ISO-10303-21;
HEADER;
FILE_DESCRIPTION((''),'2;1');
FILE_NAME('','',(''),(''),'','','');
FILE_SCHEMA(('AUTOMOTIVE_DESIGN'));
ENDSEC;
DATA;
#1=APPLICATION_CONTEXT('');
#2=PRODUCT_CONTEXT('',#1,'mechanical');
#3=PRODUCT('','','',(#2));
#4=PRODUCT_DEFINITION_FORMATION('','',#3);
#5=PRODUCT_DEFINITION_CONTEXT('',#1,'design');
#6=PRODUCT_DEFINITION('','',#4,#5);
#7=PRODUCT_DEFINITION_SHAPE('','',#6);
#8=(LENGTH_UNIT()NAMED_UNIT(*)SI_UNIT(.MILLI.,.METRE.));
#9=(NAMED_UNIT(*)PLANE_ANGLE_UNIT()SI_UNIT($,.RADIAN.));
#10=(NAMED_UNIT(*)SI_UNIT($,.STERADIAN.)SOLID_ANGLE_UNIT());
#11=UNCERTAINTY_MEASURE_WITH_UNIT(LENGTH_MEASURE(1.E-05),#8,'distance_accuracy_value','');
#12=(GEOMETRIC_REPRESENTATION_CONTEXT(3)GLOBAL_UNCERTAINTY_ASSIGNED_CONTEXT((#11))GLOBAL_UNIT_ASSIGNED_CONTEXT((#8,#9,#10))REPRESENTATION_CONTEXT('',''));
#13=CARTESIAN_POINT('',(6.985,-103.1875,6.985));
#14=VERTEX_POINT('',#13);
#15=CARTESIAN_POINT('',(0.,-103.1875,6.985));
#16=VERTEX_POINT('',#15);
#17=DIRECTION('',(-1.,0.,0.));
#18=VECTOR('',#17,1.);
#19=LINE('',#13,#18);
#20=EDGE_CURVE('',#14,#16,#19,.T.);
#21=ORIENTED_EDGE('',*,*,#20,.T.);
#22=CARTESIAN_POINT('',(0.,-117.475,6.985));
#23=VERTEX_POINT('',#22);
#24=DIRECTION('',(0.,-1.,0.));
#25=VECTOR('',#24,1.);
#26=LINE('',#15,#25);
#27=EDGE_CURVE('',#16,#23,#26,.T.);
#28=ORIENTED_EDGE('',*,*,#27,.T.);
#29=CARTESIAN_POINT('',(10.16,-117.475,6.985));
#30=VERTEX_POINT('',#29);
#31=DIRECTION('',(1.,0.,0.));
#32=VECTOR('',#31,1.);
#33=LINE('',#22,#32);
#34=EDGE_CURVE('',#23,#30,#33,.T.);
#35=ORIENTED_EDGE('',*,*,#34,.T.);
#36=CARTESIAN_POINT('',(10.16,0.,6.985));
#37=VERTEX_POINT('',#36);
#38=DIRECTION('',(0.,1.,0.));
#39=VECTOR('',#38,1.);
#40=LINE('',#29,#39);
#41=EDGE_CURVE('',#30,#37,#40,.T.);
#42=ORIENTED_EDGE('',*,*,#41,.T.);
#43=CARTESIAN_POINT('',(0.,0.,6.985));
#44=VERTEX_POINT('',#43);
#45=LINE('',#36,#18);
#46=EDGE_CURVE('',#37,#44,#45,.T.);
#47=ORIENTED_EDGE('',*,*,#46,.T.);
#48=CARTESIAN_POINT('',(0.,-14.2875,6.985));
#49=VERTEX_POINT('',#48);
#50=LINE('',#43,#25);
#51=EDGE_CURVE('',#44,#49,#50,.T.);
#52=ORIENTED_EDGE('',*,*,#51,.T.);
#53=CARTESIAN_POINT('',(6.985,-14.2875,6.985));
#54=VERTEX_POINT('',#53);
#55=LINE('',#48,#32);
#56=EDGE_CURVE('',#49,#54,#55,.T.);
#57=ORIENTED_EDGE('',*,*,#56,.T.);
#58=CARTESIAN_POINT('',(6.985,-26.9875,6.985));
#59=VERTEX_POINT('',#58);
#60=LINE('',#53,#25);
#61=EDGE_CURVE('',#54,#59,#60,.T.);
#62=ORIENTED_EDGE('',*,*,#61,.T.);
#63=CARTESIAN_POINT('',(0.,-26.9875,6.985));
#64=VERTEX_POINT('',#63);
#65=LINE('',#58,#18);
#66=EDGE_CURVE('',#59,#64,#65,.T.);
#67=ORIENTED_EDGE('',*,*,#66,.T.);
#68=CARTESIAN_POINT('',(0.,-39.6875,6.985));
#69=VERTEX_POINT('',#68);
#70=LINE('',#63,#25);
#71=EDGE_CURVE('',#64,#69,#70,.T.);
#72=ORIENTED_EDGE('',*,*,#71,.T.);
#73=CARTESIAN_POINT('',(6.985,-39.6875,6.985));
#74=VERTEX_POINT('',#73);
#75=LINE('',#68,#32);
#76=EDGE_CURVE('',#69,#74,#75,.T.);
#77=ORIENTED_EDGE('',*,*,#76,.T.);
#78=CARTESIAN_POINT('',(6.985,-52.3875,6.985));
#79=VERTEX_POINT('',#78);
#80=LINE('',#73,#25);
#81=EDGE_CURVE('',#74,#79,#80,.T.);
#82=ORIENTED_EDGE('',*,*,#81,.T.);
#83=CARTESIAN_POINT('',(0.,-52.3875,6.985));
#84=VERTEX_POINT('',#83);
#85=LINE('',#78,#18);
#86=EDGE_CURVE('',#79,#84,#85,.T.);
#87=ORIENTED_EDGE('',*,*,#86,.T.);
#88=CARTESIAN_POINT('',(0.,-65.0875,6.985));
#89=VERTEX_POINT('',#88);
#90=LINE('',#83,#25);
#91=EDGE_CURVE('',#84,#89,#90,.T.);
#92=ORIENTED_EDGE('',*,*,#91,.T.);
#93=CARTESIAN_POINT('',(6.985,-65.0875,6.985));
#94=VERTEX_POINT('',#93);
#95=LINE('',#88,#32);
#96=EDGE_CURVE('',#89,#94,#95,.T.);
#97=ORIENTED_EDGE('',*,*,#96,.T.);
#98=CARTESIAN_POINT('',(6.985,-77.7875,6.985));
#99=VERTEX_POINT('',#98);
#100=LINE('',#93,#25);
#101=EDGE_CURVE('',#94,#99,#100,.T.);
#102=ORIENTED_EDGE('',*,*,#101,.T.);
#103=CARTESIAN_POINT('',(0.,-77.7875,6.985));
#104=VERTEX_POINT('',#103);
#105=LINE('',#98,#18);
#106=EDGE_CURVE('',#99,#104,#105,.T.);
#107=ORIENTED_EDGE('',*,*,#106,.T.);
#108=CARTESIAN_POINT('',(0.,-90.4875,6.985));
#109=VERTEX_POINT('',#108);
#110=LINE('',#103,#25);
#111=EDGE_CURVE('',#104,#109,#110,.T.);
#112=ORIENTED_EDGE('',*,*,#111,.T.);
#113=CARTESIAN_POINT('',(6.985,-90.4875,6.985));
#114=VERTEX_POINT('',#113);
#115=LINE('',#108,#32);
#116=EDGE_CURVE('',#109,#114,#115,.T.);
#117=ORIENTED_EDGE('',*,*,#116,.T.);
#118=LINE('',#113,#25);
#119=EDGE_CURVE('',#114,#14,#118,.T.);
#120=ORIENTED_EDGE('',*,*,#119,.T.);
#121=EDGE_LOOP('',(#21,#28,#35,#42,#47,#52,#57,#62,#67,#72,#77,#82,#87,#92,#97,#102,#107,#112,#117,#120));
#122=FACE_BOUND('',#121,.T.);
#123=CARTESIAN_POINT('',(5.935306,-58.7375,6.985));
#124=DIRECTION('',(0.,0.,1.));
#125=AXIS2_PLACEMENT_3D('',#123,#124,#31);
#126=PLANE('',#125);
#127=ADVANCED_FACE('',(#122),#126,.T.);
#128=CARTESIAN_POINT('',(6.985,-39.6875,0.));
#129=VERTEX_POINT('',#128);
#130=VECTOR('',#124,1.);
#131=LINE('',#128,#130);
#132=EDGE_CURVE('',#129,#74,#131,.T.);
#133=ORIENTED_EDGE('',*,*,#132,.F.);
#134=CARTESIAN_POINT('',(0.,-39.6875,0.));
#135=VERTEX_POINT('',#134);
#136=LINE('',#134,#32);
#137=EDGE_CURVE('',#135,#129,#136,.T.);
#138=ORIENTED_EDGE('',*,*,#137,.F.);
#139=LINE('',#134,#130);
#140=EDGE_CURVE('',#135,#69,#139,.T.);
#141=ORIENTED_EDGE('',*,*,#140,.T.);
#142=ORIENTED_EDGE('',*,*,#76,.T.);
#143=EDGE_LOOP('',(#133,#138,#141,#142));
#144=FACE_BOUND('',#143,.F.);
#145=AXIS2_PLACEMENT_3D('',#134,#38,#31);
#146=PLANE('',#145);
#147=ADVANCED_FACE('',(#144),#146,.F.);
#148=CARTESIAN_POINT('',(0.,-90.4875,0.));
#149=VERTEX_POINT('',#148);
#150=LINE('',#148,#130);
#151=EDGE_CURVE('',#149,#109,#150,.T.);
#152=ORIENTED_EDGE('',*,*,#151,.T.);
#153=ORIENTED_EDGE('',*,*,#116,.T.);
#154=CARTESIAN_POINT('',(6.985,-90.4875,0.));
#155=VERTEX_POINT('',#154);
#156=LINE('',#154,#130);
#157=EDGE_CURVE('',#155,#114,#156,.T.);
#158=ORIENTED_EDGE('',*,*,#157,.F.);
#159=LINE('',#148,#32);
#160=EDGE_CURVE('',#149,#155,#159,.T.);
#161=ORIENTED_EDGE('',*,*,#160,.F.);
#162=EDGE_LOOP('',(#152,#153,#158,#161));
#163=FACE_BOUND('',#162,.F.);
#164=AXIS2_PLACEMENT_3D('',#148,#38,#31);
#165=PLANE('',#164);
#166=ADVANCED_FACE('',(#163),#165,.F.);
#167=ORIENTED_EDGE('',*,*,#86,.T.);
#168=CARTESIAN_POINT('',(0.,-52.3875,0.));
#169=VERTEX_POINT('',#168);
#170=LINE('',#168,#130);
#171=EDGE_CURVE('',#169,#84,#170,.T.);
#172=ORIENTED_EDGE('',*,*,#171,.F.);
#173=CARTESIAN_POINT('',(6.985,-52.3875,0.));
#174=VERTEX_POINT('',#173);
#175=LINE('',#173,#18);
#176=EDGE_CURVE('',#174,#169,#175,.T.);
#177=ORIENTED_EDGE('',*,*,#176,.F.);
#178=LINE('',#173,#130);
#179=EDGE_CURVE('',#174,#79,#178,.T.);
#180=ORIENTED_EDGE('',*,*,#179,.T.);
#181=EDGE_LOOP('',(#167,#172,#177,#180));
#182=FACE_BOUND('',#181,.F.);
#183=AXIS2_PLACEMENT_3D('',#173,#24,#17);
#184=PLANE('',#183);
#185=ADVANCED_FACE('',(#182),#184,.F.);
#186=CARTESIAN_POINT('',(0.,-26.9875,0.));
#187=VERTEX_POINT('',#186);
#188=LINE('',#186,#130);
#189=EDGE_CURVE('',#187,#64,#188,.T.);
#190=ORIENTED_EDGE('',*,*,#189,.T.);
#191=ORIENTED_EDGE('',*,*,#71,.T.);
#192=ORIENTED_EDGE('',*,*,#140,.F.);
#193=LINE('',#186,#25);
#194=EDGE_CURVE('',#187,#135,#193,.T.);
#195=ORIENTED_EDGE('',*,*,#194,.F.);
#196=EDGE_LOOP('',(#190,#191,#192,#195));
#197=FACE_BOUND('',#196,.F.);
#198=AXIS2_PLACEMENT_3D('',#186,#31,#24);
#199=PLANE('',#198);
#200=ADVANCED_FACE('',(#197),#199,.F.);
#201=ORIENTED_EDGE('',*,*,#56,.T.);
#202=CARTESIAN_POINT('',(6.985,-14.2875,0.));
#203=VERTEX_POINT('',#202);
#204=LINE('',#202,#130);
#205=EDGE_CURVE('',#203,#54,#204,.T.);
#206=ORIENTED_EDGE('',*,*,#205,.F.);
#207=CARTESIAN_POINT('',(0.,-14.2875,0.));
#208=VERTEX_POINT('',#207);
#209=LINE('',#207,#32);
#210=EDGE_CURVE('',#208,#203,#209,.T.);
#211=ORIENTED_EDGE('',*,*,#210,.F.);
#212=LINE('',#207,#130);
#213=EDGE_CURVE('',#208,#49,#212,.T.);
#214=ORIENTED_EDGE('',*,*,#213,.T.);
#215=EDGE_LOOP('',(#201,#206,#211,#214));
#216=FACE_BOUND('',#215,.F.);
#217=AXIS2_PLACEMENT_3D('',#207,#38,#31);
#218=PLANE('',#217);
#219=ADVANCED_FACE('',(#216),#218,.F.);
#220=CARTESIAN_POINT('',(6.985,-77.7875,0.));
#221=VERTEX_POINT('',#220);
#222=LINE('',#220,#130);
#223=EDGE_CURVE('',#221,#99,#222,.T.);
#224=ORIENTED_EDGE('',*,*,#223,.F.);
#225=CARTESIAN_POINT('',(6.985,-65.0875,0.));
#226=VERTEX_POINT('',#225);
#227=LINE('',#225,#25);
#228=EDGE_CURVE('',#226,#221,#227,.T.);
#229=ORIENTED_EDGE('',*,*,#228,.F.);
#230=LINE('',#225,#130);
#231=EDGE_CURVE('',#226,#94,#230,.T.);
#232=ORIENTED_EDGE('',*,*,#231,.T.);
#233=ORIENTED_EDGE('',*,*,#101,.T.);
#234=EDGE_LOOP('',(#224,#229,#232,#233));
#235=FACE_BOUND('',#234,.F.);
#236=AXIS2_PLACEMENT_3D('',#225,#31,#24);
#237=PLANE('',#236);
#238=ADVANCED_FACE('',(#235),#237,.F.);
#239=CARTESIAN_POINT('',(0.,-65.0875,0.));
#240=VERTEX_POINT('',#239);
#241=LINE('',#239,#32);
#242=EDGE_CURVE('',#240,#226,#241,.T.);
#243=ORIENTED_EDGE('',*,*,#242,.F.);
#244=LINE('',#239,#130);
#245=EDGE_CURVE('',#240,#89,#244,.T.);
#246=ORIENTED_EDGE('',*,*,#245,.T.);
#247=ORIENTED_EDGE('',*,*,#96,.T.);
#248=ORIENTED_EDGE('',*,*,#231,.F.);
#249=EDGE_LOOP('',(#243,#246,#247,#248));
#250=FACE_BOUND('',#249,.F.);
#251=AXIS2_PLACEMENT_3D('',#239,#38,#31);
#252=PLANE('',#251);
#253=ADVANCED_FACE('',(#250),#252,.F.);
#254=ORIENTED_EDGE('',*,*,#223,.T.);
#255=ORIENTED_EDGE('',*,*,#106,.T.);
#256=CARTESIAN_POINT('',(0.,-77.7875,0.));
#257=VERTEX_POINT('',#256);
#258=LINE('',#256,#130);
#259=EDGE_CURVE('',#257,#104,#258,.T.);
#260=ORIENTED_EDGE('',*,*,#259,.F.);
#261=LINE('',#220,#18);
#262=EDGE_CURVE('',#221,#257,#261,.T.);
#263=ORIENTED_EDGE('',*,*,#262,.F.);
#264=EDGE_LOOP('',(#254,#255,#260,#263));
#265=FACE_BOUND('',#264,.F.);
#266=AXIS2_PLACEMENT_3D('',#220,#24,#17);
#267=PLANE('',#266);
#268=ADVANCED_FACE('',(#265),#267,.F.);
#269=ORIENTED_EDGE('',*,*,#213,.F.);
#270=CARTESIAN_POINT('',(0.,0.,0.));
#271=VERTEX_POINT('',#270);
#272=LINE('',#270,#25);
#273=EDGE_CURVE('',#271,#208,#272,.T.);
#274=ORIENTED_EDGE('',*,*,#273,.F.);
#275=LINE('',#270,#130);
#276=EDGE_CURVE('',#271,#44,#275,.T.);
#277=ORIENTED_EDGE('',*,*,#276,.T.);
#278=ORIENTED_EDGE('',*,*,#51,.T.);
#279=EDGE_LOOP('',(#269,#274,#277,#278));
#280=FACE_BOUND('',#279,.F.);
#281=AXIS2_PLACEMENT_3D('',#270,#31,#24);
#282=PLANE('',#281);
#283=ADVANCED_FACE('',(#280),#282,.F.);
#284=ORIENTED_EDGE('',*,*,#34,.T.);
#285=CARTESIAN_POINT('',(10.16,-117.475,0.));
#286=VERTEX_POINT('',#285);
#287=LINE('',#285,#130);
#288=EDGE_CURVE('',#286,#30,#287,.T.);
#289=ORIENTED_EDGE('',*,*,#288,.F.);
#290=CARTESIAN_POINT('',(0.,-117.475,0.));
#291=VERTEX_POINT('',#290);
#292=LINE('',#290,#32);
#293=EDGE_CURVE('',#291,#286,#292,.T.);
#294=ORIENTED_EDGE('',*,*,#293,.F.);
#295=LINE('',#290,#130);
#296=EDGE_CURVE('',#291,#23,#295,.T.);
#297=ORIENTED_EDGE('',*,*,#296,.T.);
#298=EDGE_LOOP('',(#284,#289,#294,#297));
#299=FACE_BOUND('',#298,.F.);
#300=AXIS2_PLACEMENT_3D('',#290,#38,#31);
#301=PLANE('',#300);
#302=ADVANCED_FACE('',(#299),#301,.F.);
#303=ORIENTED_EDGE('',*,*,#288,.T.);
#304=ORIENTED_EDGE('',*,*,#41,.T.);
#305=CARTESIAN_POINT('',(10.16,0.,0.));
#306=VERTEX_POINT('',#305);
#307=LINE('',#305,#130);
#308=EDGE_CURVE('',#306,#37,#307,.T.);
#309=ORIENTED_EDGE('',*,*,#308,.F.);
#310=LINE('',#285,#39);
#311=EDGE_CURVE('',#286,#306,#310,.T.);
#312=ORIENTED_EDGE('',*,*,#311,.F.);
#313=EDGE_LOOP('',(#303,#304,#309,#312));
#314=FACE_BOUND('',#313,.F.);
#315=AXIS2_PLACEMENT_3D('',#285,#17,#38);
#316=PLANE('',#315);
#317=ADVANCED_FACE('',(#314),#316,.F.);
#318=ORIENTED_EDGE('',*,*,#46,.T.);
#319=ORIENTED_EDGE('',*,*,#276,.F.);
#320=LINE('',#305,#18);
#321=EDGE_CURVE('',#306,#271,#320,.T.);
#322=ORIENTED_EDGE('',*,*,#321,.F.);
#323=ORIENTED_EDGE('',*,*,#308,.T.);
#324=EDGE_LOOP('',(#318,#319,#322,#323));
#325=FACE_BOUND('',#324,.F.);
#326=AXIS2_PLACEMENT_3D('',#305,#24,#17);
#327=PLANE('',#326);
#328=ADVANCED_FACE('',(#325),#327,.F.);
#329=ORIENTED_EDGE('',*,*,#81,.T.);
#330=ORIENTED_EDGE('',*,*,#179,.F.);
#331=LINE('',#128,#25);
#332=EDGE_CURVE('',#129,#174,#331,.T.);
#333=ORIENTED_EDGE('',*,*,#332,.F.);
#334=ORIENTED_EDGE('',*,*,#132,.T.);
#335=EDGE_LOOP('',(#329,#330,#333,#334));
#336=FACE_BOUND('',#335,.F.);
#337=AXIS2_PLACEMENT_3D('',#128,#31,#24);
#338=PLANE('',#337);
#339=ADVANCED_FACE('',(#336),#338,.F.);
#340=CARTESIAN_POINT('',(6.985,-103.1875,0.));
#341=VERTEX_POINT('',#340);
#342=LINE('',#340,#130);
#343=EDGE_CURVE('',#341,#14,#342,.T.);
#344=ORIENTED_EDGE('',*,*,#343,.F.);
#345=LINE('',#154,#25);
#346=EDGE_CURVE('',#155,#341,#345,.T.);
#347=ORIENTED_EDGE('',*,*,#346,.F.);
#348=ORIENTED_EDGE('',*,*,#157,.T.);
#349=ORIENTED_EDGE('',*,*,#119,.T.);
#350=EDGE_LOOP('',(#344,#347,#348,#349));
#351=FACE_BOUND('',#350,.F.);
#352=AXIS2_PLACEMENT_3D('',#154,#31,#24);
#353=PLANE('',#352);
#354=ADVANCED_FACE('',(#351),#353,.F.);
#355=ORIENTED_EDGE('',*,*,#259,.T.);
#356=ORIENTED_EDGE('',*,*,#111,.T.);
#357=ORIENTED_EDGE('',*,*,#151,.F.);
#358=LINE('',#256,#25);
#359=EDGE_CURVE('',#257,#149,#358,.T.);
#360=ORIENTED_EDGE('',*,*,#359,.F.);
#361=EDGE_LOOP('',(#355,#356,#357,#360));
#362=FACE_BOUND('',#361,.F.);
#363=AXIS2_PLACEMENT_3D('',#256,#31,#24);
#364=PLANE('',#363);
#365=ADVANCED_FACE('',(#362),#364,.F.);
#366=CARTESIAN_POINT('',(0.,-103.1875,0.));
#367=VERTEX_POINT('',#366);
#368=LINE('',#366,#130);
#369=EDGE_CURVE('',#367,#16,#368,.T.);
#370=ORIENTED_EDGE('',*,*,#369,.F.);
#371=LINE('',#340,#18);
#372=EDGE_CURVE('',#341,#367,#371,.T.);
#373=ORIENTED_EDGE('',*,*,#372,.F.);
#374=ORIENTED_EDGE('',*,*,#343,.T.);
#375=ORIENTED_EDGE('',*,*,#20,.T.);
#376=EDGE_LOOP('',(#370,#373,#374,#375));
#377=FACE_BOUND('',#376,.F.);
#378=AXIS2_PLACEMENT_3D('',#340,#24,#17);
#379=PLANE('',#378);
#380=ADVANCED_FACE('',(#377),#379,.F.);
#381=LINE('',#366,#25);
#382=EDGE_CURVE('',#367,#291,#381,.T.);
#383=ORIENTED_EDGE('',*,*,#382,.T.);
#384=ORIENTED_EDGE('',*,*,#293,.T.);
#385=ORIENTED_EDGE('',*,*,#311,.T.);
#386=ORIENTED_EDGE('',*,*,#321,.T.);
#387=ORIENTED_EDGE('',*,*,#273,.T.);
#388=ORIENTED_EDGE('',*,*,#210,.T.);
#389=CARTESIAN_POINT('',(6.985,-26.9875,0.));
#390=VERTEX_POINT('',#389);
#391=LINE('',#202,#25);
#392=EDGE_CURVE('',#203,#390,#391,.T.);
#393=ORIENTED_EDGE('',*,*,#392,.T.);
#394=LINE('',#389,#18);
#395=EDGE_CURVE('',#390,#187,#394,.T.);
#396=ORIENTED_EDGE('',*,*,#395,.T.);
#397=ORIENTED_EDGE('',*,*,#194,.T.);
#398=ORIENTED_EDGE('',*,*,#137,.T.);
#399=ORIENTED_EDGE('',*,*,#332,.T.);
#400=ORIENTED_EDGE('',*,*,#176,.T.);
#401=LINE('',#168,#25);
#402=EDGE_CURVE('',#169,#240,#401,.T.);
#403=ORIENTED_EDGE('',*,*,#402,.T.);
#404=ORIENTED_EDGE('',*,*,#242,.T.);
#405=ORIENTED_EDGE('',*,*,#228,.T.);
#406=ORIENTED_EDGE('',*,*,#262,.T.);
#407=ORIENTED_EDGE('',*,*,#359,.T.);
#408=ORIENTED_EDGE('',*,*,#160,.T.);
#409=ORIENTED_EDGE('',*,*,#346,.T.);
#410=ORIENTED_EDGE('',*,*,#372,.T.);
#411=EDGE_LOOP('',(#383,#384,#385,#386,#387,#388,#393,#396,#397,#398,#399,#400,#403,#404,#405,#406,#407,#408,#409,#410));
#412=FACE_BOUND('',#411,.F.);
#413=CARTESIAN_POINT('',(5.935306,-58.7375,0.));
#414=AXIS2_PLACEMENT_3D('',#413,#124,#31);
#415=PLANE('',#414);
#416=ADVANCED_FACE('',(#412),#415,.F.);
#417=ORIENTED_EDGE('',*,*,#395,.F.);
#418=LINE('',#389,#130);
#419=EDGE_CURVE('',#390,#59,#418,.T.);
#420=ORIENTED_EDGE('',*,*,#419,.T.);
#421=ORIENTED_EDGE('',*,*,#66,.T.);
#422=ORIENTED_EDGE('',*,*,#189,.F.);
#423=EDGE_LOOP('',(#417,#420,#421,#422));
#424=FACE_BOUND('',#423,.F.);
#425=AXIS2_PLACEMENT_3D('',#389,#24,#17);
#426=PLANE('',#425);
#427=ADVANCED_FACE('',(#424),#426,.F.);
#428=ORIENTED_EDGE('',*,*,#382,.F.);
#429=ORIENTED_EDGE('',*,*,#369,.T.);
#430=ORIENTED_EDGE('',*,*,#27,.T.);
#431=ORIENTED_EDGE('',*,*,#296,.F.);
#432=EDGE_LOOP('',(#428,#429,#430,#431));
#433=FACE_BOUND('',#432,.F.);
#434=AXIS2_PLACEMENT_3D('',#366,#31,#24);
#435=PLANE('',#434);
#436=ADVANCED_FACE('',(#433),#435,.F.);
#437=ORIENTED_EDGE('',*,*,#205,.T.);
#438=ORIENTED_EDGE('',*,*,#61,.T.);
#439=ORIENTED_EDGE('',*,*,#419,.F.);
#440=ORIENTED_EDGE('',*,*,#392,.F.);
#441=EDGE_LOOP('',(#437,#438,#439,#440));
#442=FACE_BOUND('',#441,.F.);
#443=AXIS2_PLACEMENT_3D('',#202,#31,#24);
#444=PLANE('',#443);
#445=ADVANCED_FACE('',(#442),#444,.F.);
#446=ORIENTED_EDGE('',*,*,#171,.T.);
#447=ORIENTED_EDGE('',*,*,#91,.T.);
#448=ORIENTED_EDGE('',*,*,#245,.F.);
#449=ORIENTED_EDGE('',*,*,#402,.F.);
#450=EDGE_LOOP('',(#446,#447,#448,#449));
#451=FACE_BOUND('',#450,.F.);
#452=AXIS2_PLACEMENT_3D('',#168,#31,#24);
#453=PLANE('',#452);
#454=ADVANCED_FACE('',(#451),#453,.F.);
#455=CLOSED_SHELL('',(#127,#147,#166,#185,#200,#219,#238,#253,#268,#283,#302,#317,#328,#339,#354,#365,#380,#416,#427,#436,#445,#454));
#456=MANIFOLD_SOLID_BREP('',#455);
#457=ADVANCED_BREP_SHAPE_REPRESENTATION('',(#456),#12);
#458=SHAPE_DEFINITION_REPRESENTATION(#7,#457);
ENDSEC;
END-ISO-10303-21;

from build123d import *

# Parameters (mm, degrees)
F1_DEPTH = 6.985


with BuildPart() as f1:
    # F0 (on Top) → F1 (new body)
    with BuildSketch(Plane.XY):
        Polygon((10.16, 0), (0, 0), (0, -14.2875), (6.985, -14.2875), (6.985, -26.9875), (0, -26.9875), (0, -39.6875), (6.985, -39.6875), (6.985, -52.3875), (0, -52.3875), (0, -65.0875), (6.985, -65.0875), (6.985, -77.7875), (0, -77.7875), (0, -90.4875), (6.985, -90.4875), (6.985, -103.1875), (0, -103.1875), (0, -117.475), (10.16, -117.475), align=None)
    extrude(amount=F1_DEPTH)


solid = f1.part
